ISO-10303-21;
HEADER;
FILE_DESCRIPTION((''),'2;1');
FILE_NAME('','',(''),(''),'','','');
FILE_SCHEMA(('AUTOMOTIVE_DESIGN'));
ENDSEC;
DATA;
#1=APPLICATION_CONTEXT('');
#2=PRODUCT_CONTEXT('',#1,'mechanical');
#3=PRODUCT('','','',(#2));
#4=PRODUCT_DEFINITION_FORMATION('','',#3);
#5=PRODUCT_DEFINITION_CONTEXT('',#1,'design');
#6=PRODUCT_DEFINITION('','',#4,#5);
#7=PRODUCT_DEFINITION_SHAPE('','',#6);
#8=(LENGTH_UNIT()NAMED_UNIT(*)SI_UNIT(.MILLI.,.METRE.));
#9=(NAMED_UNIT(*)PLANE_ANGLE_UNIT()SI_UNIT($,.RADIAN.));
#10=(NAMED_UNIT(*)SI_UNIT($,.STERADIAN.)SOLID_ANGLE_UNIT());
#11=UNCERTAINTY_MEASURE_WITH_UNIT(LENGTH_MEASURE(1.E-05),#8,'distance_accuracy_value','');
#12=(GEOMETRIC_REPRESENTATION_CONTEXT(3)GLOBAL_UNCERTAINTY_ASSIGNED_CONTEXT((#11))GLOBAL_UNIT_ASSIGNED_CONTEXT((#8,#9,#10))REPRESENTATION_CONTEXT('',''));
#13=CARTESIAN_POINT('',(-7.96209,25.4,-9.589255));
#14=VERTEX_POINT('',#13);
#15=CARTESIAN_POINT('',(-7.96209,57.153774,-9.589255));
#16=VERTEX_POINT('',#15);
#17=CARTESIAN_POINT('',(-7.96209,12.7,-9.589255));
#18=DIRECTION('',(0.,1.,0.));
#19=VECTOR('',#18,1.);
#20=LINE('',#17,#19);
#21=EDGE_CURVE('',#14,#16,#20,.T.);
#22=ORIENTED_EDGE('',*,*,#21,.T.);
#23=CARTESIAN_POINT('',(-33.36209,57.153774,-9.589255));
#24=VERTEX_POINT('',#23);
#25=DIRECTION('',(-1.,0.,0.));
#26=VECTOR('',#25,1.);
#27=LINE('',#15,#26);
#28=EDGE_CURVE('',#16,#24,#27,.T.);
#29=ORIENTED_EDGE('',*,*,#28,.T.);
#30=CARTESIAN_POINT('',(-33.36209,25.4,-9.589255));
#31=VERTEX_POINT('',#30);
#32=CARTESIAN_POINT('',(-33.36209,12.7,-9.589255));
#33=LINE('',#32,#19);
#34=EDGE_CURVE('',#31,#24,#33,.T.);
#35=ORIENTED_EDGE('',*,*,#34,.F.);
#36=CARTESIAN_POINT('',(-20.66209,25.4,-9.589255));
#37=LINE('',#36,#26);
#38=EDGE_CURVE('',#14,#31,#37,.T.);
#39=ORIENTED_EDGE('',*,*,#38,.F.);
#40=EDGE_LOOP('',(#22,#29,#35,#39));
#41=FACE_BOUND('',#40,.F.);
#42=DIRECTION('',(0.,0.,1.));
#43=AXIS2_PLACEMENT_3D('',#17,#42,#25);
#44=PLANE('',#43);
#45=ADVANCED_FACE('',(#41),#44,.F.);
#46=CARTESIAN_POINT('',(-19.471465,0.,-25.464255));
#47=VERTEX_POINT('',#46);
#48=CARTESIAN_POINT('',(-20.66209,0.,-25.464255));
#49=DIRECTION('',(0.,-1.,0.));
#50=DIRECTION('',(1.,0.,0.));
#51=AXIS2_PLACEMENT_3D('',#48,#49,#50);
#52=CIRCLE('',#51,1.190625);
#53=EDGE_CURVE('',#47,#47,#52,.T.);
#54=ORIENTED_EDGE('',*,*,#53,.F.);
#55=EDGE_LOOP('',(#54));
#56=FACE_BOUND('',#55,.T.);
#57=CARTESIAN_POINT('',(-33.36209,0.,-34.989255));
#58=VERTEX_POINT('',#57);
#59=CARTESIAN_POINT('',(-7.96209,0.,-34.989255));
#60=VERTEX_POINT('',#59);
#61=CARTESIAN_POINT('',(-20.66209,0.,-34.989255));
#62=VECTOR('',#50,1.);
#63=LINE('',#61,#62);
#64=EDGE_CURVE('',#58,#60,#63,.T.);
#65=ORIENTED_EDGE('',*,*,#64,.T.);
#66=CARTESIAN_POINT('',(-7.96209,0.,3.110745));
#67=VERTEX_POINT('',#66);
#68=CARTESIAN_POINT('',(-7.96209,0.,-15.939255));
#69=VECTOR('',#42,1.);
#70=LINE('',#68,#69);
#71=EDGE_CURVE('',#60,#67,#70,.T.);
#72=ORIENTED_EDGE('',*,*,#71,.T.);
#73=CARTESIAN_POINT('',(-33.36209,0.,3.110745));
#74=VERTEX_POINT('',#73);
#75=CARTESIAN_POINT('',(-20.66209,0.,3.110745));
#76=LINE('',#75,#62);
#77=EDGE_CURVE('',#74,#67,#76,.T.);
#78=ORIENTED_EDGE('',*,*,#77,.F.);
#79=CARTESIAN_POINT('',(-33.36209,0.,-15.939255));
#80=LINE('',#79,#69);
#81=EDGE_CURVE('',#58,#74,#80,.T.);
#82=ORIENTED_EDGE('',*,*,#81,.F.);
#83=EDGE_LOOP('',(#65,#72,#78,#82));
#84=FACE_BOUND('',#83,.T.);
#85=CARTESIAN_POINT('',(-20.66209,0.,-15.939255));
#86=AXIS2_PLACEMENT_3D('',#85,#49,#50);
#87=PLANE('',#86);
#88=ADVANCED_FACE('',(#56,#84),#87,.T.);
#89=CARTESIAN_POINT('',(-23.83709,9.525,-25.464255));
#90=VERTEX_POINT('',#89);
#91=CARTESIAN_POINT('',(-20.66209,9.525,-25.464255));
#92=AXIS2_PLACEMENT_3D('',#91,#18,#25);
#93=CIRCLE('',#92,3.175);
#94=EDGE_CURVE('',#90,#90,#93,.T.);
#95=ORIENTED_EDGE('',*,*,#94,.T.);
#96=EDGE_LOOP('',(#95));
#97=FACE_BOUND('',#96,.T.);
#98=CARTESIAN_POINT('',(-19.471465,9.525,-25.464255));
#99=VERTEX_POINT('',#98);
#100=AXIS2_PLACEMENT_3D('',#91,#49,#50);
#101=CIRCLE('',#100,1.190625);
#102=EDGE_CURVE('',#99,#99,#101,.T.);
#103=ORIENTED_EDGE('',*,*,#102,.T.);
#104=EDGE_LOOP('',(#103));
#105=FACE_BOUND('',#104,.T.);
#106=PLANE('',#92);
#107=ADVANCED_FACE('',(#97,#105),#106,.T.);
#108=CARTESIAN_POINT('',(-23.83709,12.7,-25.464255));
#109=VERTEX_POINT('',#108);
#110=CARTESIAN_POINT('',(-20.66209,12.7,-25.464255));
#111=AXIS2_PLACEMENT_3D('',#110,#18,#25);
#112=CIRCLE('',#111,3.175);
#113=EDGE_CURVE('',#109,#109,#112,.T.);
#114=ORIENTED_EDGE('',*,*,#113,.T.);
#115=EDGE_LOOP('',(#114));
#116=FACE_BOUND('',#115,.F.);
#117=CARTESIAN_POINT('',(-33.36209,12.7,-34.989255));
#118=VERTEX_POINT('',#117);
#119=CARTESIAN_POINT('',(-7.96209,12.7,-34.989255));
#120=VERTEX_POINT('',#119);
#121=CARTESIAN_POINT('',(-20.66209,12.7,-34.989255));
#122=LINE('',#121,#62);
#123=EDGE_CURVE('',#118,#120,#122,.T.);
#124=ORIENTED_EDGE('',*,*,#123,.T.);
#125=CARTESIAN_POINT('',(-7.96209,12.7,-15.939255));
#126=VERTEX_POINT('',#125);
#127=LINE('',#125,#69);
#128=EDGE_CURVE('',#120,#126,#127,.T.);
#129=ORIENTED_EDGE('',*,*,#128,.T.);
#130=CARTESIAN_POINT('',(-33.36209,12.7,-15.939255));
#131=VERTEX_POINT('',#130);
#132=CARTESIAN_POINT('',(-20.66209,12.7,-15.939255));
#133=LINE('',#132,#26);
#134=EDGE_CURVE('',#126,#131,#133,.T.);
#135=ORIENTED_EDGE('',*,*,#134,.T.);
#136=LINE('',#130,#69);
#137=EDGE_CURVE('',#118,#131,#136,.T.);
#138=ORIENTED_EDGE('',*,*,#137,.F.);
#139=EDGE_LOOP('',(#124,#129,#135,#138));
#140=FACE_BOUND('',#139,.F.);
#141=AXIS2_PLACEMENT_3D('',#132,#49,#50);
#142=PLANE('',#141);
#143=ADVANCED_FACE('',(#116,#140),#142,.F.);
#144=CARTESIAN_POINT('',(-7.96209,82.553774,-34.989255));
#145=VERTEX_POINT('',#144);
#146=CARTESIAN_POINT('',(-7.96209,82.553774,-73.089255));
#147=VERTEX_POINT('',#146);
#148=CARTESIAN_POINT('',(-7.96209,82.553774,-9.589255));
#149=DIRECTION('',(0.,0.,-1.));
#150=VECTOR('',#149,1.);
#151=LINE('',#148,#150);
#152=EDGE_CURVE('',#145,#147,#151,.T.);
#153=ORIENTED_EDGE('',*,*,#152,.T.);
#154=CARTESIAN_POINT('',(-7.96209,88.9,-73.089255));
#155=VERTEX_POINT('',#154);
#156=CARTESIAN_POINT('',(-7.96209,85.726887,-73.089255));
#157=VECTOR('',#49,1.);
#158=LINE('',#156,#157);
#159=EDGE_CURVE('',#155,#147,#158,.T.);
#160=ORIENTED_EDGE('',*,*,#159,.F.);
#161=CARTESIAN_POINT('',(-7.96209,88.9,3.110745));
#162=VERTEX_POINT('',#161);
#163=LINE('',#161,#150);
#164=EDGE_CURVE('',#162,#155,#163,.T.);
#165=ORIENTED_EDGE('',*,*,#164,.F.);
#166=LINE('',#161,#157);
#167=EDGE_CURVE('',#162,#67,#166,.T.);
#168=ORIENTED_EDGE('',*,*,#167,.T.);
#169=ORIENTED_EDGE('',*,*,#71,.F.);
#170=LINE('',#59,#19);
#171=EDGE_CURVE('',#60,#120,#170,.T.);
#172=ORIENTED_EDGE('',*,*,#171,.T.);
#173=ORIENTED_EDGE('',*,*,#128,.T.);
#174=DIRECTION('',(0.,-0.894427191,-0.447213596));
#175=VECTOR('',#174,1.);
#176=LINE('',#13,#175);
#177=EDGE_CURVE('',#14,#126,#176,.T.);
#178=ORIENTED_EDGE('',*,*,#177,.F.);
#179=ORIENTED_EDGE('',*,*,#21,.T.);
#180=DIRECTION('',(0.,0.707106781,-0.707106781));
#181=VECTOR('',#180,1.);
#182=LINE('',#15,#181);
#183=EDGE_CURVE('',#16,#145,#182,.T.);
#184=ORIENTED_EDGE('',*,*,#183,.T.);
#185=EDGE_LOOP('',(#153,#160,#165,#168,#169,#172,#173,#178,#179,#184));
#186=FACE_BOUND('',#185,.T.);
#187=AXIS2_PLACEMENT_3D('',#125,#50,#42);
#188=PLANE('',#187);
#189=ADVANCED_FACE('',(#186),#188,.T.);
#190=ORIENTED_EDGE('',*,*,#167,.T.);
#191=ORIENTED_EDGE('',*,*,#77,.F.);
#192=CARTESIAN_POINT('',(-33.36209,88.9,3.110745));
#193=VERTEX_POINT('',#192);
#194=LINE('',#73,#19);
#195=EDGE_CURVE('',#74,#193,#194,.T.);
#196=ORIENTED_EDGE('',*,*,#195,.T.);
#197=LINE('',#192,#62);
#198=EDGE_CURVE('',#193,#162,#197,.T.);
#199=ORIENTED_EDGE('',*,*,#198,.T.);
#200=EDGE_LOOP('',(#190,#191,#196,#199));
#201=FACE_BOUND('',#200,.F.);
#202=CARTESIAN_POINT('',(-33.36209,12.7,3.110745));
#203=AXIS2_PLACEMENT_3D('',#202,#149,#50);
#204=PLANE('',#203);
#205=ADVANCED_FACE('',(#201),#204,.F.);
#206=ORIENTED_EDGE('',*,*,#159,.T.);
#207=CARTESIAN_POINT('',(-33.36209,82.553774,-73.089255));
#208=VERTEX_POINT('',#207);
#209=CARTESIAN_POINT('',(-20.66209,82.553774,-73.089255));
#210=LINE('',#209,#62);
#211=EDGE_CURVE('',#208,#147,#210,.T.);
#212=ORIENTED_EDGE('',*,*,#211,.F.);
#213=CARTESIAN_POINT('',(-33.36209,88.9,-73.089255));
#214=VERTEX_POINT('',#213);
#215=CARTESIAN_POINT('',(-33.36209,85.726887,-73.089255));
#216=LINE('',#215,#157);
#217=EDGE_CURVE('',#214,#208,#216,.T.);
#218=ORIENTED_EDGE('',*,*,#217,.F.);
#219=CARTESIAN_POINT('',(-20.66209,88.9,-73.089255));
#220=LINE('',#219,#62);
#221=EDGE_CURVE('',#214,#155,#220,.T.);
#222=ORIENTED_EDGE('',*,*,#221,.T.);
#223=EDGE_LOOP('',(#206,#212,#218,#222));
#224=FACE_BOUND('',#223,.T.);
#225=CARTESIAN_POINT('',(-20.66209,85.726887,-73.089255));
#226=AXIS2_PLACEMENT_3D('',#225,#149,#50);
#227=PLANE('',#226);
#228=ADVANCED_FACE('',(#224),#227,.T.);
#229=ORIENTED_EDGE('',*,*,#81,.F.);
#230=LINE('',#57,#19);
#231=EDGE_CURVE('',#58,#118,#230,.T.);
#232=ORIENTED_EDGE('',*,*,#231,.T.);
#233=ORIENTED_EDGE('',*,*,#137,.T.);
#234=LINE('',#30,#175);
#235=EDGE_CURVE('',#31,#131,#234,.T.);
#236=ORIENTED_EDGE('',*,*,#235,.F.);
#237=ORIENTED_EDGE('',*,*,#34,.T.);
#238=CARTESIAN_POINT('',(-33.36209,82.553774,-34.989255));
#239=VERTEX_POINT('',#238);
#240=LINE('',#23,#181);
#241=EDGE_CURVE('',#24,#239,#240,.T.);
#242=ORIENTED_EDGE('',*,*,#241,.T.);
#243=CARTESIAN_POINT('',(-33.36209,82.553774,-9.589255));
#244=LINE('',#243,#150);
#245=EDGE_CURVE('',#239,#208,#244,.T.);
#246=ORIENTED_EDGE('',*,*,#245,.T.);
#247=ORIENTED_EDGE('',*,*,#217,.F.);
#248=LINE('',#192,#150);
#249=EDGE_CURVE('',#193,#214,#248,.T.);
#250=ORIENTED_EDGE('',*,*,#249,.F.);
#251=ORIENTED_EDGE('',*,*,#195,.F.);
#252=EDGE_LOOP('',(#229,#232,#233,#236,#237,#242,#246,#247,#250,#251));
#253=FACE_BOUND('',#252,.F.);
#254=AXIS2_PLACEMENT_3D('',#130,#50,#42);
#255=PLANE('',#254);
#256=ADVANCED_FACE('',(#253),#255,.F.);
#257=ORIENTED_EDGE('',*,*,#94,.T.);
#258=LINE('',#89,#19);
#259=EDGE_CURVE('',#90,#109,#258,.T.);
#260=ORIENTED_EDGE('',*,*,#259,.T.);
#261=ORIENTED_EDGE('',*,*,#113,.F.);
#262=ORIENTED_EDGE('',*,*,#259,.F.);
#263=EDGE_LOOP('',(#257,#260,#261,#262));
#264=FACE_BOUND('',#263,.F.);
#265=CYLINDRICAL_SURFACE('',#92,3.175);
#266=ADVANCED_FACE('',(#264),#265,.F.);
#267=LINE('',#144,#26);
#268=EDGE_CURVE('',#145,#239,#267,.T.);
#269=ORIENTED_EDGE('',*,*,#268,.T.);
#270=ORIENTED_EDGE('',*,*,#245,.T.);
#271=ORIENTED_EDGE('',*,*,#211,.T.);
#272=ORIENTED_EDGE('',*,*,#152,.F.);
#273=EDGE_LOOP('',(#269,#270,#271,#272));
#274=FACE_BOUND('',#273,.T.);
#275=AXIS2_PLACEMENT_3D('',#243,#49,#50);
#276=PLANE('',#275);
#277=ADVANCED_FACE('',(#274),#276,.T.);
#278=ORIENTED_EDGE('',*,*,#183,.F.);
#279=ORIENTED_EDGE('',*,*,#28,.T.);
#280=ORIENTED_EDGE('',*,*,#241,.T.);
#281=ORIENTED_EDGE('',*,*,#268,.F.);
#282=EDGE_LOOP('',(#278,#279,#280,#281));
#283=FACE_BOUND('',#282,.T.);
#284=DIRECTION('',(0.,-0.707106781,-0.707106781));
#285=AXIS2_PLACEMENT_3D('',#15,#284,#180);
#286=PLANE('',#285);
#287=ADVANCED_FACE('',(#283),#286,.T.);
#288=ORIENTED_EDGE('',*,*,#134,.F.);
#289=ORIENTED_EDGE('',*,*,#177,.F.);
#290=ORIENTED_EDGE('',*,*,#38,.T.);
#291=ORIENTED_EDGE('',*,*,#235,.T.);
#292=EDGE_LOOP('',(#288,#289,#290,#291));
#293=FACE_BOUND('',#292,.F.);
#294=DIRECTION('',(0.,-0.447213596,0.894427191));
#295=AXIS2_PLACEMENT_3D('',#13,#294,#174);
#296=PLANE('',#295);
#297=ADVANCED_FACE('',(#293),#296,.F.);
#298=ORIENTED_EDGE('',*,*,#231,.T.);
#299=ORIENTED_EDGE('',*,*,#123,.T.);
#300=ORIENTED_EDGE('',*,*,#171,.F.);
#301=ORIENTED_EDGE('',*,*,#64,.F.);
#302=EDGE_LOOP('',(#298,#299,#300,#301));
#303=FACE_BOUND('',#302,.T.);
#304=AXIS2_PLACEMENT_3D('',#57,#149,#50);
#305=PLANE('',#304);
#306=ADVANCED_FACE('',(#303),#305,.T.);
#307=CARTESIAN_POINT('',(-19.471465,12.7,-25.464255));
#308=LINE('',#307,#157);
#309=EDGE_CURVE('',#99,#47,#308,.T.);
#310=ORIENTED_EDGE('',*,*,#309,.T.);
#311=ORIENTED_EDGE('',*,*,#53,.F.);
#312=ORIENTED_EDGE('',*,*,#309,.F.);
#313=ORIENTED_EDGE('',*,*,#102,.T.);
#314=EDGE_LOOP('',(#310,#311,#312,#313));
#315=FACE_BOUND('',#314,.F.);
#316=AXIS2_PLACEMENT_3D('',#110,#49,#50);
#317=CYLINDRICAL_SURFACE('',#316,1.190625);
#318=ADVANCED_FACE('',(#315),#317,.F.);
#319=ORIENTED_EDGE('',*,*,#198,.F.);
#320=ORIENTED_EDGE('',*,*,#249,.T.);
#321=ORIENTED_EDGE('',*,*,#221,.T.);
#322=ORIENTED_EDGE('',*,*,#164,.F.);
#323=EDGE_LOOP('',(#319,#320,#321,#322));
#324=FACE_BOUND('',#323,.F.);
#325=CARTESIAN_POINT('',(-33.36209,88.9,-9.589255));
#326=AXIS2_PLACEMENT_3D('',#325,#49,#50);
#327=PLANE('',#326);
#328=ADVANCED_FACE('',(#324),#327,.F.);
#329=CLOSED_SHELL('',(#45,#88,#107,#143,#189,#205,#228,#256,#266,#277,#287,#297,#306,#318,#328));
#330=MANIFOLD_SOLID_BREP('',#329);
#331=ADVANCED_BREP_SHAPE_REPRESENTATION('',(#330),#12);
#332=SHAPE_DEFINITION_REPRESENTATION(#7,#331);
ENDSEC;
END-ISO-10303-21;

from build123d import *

# Parameters (mm, degrees)
F0_W            = 25.4
F0_H            = 38.1
F1_DEPTH        = 12.7
F3_DEPTH        = 76.2
F4_W            = 25.4
F4_H            = 6.346226
F5_DEPTH        = 63.5
F7_DEPTH        = 25.4
F8_W            = 25.4
F8_H            = 6.35
F9_DEPTH        = 12.7
F11_DEPTH       = 25.4
F13_D           = 2.38125
F13_DEPTH       = 12.7
F13_CBORE_D     = 6.35
F13_CBORE_DEPTH = 3.175


with BuildPart() as f1:
    # F0 (on Front) → F1 (new body)
    with BuildSketch(Plane.XZ):
        with Locations((-20.66209, -15.939255)):
            Rectangle(F0_W, F0_H)
    extrude(amount=-F1_DEPTH)

    # F2 (on face) → F3 (join)
    with BuildSketch(Plane(origin=(0, 12.7, 0), x_dir=(-1, 0, 0), z_dir=(0, 1, 0))):
        Polygon((7.96209, -9.589255), (20.66209, -9.589255), (33.36209, -9.589255), (33.36209, 3.110745), (7.96209, 3.110745), align=None)
    extrude(amount=F3_DEPTH)

    # F4 (on face) → F5 (join)
    with BuildSketch(Plane(origin=(0, 0, -9.589255), x_dir=(1, 0, 0), z_dir=(0, 0, -1))):
        with Locations((-20.66209, -85.726887)):
            Rectangle(F4_W, F4_H)
    extrude(amount=F5_DEPTH)

    # F6 (on face) → F7 (join)
    with BuildSketch(Plane.YZ.offset(-7.96209)):
        Polygon((57.153774, -9.589255), (82.553774, -34.989255), (82.553774, -9.589255), align=None)
    extrude(amount=-F7_DEPTH)

    # F8 (on face) → F9 (join)
    with BuildSketch(Plane(origin=(0, 12.7, 0), x_dir=(-1, 0, 0), z_dir=(0, 1, 0))):
        with Locations((20.66209, -12.764255)):
            Rectangle(F8_W, F8_H)
    extrude(amount=F9_DEPTH)

    # F10 (on face) → F11 (cut, through all)
    with BuildSketch(Plane.YZ.offset(-7.96209)):
        Polygon((25.4, -15.939255), (25.4, -9.589255), (12.7, -15.939255), align=None)
    extrude(amount=-F11_DEPTH, mode=Mode.SUBTRACT)

    # F13
    with Locations(Plane(origin=(0, 12.7, 0), x_dir=(-1, 0, 0), z_dir=(0, 1, 0))):
        with Locations((20.66209, -25.464255)):
            CounterBoreHole(F13_D / 2, F13_CBORE_D / 2, F13_CBORE_DEPTH, depth=F13_DEPTH)


solid = f1.part
